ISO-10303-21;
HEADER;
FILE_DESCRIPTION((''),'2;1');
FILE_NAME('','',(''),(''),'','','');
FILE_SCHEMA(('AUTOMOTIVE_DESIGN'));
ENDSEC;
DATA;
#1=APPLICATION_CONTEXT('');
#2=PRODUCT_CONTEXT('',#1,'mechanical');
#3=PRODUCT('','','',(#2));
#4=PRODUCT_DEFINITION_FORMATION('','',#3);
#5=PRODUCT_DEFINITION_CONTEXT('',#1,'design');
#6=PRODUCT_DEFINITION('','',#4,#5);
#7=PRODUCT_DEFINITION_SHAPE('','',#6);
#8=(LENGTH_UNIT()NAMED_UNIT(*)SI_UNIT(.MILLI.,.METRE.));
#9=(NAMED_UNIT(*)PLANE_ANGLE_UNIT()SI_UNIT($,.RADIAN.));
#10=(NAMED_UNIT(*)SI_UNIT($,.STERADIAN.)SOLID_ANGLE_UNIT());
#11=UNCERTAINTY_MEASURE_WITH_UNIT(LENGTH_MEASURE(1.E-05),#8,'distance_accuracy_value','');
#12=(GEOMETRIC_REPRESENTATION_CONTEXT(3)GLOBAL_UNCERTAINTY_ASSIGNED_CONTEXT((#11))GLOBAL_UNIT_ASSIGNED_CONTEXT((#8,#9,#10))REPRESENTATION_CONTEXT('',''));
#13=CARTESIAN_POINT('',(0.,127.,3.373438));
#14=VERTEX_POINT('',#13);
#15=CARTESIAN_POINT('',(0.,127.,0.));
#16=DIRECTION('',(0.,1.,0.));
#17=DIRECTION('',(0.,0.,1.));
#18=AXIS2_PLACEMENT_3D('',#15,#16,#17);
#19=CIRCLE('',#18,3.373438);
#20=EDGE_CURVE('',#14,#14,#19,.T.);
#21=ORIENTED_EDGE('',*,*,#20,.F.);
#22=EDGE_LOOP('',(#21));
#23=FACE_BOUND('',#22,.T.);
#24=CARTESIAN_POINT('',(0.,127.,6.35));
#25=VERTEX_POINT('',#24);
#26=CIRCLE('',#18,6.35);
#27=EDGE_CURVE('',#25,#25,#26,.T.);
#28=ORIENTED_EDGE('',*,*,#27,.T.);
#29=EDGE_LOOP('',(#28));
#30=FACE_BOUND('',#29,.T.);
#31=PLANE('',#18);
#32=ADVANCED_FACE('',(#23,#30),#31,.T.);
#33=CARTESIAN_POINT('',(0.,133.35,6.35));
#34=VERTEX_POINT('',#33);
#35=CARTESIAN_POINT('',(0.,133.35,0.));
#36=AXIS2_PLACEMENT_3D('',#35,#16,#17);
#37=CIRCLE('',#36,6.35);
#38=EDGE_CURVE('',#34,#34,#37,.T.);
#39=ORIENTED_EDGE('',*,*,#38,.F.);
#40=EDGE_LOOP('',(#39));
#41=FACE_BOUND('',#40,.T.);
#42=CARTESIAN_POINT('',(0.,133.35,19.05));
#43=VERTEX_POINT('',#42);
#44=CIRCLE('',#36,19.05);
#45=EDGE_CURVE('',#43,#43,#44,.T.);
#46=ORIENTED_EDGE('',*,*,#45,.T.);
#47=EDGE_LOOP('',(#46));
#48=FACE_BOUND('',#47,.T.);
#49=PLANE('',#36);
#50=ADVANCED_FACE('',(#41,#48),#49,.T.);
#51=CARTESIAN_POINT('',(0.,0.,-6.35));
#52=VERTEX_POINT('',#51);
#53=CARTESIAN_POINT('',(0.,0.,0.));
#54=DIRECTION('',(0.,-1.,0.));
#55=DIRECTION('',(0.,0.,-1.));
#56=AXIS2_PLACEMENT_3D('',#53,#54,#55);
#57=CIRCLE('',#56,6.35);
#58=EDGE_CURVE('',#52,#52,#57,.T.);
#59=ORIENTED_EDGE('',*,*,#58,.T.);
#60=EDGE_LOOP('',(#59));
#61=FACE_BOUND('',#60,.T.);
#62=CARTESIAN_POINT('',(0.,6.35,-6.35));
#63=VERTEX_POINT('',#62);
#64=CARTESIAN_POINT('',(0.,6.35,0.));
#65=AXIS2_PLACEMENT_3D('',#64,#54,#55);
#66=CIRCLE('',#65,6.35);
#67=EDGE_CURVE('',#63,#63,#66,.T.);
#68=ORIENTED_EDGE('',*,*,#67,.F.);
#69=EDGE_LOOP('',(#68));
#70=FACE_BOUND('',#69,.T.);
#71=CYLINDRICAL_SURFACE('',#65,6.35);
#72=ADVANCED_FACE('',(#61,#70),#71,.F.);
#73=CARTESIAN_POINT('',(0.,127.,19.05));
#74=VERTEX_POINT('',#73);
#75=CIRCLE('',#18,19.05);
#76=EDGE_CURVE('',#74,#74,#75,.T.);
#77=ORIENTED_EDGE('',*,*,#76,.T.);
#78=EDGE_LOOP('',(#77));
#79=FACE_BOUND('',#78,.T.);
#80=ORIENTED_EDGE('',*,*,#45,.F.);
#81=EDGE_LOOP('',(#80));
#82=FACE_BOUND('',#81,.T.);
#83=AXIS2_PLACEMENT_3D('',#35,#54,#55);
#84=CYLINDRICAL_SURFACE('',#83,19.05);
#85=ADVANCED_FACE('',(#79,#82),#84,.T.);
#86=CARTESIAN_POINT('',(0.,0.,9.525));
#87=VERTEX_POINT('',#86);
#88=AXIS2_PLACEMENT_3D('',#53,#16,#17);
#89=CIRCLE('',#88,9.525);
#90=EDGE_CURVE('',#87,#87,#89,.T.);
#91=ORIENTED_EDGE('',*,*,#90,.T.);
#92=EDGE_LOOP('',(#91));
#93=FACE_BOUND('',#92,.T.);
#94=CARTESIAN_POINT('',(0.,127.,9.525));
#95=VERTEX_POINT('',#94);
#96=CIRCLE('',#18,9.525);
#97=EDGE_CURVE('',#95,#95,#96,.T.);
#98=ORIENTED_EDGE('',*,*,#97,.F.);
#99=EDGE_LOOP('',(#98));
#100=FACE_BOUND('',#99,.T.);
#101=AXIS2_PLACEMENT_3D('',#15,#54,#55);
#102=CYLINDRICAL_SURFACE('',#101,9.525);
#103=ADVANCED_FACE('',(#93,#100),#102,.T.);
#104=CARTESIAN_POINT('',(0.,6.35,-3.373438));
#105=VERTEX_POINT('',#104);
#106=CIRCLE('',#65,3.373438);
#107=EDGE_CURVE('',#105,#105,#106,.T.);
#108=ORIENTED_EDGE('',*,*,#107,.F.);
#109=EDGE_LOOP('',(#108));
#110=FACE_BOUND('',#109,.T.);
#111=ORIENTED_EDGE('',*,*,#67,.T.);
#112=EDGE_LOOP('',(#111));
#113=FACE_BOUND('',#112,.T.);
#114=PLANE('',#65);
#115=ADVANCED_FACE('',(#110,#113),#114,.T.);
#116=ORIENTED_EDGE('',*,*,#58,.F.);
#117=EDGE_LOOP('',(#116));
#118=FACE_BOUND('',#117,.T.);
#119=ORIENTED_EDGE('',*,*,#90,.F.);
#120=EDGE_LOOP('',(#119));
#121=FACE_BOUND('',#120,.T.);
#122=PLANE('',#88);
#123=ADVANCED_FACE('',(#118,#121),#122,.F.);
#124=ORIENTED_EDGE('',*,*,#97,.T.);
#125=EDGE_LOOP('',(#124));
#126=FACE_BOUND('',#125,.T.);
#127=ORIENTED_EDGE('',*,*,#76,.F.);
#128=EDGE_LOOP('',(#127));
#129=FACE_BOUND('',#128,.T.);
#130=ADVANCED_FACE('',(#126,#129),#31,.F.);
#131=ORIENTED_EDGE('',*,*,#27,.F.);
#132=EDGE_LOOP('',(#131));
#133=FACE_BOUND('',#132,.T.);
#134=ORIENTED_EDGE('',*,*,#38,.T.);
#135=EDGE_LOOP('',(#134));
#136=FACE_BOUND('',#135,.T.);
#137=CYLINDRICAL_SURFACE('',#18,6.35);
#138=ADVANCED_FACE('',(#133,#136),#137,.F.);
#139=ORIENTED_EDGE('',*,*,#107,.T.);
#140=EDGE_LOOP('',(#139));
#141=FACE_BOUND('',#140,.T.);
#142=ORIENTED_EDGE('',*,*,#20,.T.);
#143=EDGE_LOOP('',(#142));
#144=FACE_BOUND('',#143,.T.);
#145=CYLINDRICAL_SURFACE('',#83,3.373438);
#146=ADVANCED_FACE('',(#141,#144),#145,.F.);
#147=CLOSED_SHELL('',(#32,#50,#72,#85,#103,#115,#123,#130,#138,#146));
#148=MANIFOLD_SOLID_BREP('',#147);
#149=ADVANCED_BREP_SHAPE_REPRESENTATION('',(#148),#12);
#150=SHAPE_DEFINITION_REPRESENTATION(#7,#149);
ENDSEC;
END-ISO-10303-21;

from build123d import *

# Parameters (mm, degrees)
SKETCH1_R           = 9.525
BOSS_EXTRUDE1_DEPTH = 127
SKETCH2_R           = 19.05
BOSS_EXTRUDE2_DEPTH = 6.35
SKETCH3_R           = 6.35
CUT_EXTRUDE1_DEPTH  = 6.35
SKETCH4_R           = 6.35
CUT_EXTRUDE2_DEPTH  = 6.35
SKETCH5_R           = 3.3734375
CUT_EXTRUDE3_DEPTH  = 128


with BuildPart() as part:
    # Sketch1 → Boss-Extrude1 (new body)
    with BuildSketch(Plane(origin=(0, 0, 0), x_dir=(1, 0, 0), z_dir=(0, 1, 0))):
        Circle(SKETCH1_R)
    extrude(amount=BOSS_EXTRUDE1_DEPTH)

    # Sketch2 → Boss-Extrude2 (add)
    with BuildSketch(Plane(origin=(0, 127, 0), x_dir=(1, 0, 0), z_dir=(0, 1, 0))):
        Circle(SKETCH2_R)
    extrude(amount=BOSS_EXTRUDE2_DEPTH)

    # Sketch3 → Cut-Extrude1 (cut)
    with BuildSketch(Plane(origin=(0, 133.35, 0), x_dir=(1, 0, 0), z_dir=(0, 1, 0))):
        Circle(SKETCH3_R)
    extrude(amount=-CUT_EXTRUDE1_DEPTH, mode=Mode.SUBTRACT)

    # Sketch4 → Cut-Extrude2 (cut)
    with BuildSketch(Plane.XZ):
        Circle(SKETCH4_R)
    extrude(amount=-CUT_EXTRUDE2_DEPTH, mode=Mode.SUBTRACT)

    # Sketch5 → Cut-Extrude3 (cut, through all)
    with BuildSketch(Plane.XZ.offset(-6.35)):
        Circle(SKETCH5_R)
    extrude(amount=-CUT_EXTRUDE3_DEPTH, mode=Mode.SUBTRACT)


solid = part.part
